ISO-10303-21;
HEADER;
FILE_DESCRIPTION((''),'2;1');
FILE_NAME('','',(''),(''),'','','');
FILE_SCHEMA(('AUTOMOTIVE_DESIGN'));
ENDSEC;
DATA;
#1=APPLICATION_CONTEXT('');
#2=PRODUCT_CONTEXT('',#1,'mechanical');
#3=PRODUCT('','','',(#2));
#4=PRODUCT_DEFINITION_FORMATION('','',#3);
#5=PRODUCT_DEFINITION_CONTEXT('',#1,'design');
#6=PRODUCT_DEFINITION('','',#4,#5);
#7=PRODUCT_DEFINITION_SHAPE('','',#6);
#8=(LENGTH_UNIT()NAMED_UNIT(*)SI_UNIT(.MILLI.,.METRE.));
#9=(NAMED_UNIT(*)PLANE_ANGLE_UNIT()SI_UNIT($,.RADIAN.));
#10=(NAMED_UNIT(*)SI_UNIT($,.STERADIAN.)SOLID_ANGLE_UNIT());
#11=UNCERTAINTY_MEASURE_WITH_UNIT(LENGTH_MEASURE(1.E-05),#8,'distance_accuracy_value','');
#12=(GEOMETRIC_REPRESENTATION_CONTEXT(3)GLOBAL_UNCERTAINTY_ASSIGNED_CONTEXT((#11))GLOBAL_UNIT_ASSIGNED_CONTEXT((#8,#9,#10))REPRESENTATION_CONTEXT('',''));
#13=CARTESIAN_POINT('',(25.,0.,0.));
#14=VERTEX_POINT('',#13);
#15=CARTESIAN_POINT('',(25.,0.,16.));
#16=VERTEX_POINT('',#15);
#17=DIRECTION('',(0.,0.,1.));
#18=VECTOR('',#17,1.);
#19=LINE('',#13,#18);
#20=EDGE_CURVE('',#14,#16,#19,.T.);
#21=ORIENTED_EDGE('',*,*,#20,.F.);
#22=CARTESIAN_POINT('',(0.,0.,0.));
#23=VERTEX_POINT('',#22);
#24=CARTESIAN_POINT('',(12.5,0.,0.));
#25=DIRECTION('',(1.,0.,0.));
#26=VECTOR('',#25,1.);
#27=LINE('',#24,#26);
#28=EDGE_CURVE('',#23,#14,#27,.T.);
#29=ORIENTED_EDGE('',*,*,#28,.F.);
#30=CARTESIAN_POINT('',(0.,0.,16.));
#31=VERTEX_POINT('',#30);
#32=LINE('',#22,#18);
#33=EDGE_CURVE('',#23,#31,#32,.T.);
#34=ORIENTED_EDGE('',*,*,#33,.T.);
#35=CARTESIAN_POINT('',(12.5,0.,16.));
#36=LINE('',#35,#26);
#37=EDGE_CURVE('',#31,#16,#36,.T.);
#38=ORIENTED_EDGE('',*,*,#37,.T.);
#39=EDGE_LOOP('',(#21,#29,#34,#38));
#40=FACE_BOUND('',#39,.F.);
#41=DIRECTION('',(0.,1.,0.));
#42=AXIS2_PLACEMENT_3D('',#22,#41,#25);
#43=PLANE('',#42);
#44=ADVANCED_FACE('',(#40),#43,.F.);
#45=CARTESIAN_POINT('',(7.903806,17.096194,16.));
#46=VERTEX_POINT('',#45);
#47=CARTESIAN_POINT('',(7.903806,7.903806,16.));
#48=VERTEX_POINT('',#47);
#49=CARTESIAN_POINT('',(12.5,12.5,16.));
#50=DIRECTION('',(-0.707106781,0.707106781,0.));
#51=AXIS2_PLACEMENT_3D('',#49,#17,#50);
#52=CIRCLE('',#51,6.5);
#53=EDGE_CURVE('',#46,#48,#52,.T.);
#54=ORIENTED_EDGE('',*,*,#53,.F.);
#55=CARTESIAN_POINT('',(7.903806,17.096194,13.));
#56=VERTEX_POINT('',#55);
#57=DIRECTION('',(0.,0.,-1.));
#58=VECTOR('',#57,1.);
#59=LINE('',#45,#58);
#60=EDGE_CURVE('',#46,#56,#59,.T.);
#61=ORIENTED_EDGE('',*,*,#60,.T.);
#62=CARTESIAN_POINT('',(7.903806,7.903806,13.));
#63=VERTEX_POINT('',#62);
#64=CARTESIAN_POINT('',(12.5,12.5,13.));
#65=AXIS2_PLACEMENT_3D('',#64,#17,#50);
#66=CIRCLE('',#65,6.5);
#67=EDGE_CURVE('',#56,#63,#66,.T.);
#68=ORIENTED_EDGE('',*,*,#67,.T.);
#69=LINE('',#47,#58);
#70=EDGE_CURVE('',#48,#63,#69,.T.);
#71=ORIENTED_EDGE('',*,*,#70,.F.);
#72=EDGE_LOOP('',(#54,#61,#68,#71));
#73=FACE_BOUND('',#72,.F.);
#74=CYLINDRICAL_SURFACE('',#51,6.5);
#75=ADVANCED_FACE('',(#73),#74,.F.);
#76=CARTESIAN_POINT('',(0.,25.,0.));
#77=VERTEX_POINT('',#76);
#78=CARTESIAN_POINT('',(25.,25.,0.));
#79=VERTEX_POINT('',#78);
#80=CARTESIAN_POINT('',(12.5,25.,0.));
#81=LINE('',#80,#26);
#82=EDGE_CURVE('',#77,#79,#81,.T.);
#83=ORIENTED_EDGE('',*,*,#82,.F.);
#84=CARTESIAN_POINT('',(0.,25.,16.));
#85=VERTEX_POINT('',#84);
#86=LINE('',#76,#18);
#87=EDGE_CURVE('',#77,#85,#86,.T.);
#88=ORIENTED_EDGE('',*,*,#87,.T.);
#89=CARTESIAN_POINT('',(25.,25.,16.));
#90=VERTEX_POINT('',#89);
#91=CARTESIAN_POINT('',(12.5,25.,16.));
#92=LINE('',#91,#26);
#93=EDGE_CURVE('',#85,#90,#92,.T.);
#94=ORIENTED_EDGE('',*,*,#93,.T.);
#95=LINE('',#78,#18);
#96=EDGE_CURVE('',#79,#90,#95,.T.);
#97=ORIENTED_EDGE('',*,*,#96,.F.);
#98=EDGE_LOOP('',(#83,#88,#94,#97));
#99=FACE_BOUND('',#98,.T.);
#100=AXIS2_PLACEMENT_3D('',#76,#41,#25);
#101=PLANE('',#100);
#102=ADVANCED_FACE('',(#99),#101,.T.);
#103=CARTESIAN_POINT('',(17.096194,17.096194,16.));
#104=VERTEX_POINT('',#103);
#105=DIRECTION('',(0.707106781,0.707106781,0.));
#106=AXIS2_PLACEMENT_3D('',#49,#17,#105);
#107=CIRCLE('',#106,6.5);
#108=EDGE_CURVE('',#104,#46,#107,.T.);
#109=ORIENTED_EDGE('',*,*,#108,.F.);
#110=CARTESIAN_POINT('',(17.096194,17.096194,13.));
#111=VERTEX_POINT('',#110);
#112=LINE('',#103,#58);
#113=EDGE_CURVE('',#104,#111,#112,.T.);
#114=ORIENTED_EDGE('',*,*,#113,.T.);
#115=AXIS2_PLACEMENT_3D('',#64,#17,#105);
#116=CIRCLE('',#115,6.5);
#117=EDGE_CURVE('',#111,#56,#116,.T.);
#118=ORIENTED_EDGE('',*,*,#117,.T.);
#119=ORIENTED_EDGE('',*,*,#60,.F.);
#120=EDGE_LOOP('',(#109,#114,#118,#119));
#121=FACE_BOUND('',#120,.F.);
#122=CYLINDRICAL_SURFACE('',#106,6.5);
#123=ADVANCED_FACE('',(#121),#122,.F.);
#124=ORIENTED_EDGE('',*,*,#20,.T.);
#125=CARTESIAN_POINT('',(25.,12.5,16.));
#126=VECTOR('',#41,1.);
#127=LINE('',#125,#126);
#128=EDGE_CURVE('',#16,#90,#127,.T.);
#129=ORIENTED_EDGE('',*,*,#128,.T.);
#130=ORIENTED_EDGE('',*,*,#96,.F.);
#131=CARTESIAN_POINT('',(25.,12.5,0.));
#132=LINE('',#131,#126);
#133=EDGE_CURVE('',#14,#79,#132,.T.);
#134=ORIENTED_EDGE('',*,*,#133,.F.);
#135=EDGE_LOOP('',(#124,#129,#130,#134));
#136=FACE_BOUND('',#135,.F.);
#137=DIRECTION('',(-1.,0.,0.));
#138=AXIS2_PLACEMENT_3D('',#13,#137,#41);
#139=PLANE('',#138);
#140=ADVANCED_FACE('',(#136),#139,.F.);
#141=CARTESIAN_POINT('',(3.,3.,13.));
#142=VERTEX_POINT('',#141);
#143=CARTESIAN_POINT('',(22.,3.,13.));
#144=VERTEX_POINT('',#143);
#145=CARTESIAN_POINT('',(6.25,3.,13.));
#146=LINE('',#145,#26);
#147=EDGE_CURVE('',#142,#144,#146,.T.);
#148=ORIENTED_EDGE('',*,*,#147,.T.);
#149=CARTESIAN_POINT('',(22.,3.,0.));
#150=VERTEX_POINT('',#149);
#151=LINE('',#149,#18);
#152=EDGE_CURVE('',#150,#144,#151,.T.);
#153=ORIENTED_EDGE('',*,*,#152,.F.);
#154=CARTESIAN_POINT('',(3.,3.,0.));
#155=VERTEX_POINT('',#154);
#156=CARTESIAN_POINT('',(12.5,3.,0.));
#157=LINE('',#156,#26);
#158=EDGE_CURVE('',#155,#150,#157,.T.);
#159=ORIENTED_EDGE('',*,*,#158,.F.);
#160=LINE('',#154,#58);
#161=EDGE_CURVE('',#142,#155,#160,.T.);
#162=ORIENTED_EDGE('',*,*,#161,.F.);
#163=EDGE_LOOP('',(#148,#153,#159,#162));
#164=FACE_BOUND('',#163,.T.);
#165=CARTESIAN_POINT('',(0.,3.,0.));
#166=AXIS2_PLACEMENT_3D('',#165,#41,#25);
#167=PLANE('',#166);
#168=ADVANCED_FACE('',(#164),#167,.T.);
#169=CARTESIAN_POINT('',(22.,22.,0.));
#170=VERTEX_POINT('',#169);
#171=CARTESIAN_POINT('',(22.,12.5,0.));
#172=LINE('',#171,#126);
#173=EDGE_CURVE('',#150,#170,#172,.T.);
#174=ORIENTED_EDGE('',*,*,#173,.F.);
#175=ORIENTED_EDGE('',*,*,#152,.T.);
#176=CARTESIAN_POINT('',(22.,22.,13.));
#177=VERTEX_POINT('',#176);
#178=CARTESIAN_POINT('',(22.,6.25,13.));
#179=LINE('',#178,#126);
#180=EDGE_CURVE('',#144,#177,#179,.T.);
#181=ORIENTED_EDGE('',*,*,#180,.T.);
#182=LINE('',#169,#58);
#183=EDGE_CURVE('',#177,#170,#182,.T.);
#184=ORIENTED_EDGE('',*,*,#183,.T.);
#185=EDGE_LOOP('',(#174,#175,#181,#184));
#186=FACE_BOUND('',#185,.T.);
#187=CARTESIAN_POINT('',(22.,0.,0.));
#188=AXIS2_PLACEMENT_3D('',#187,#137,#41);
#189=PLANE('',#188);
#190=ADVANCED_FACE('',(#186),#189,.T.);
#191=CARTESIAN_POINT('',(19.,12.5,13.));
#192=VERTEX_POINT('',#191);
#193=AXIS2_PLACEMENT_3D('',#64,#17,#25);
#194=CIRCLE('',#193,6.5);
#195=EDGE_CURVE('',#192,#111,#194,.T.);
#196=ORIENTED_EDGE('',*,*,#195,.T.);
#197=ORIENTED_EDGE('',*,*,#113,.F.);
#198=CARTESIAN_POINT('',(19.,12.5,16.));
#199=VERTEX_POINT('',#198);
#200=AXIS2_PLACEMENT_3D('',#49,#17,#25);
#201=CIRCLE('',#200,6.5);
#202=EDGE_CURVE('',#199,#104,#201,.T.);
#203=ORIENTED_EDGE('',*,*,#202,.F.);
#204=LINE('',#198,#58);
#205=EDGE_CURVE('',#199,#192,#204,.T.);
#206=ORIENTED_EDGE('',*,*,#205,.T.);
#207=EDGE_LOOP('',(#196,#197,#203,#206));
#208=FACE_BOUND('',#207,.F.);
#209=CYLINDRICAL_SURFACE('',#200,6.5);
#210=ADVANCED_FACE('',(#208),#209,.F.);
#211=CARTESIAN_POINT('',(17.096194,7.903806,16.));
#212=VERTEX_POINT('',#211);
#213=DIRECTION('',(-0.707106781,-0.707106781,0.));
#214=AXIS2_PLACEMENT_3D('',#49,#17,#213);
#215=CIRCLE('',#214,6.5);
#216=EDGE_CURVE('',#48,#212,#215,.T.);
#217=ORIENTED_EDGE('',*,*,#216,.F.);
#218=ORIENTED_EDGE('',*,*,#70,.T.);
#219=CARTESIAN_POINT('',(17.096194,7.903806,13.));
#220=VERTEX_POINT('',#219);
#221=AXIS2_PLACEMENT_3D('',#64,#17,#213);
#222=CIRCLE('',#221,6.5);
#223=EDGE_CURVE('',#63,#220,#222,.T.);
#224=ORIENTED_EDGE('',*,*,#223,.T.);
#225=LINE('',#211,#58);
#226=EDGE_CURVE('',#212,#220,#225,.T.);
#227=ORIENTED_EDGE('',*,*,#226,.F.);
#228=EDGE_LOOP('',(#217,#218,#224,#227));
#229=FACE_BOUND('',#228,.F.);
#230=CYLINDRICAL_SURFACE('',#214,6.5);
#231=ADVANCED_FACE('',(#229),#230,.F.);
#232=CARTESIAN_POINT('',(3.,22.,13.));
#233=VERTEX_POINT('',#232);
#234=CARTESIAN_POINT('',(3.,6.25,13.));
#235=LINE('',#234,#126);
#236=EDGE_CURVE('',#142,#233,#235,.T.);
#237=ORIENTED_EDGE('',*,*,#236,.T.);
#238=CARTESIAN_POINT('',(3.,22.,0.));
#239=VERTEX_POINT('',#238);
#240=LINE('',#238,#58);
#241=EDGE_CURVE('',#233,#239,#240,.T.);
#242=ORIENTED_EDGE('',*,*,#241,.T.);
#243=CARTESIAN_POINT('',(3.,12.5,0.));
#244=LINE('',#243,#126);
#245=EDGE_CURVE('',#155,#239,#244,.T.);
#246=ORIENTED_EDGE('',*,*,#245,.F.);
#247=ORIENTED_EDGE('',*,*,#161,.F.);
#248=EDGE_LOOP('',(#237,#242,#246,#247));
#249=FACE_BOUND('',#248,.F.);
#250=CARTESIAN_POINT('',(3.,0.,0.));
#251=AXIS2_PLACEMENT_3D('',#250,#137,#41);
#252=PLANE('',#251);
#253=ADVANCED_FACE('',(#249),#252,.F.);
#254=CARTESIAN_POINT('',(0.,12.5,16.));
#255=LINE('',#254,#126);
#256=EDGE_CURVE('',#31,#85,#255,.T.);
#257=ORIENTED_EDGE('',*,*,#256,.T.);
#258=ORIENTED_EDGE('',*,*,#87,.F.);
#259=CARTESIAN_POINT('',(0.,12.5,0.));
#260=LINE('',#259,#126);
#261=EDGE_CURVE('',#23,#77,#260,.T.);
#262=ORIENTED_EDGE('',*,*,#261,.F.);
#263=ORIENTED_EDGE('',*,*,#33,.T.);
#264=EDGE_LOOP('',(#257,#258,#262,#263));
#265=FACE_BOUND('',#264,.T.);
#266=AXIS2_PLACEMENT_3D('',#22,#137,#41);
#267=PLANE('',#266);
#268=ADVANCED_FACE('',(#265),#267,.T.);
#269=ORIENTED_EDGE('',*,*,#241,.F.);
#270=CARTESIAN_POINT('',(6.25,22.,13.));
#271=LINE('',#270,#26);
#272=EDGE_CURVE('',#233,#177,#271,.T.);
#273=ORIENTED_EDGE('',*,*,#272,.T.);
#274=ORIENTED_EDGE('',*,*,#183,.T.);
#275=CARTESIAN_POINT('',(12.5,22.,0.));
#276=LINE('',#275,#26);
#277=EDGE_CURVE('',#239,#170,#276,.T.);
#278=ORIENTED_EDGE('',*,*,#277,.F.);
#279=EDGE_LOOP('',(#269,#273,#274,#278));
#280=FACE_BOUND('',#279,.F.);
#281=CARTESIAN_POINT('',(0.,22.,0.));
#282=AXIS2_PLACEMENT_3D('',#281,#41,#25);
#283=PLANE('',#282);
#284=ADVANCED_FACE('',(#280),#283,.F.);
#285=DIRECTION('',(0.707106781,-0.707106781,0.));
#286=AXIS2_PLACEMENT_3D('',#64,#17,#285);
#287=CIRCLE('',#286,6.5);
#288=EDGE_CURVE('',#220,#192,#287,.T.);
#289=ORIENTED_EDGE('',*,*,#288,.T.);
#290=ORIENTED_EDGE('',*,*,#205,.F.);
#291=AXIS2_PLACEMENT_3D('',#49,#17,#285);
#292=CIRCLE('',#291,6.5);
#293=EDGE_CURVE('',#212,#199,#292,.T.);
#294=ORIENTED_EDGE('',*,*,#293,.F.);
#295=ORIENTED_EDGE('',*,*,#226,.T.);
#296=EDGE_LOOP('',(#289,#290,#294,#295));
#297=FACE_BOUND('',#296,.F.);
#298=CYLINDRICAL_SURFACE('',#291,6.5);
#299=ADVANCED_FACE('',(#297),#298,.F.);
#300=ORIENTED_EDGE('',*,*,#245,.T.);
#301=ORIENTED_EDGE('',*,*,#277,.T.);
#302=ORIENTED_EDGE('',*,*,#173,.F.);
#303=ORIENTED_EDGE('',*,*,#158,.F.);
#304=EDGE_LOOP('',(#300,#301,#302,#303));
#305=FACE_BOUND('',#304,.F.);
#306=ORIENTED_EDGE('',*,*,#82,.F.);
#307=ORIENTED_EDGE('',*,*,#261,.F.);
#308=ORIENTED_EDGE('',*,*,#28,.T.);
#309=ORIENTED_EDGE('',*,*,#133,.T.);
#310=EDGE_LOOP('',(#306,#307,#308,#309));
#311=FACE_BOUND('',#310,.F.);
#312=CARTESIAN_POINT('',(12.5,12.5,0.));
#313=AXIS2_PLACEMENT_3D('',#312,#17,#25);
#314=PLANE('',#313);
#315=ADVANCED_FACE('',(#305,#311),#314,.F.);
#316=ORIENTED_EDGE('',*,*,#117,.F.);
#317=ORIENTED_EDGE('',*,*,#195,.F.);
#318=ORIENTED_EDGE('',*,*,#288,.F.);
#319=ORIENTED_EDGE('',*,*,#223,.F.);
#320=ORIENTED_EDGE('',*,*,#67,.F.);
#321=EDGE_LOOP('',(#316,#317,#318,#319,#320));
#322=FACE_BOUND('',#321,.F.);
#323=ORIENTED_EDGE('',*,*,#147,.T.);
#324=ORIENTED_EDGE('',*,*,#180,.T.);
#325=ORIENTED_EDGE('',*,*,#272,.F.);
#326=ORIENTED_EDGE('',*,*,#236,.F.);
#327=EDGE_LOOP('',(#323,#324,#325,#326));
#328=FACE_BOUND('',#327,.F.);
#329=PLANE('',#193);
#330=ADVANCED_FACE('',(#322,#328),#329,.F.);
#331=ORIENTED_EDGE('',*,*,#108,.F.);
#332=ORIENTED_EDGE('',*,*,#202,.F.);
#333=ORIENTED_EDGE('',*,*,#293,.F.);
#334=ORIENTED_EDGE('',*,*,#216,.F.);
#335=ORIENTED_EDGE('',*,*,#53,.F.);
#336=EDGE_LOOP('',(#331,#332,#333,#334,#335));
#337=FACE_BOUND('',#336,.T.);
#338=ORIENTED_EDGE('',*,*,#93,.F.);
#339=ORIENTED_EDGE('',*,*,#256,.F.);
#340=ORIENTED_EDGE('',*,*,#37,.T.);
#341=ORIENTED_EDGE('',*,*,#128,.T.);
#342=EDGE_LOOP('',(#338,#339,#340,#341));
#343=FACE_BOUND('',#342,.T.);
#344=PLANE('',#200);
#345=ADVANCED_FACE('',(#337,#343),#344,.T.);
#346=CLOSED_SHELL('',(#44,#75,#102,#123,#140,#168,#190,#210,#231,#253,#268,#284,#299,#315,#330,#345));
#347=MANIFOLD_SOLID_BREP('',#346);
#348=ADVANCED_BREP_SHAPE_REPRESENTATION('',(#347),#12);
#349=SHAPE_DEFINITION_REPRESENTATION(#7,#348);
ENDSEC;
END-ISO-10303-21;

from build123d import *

# Parameters (mm, degrees)
F0_W     = 25
F0_H     = 25
F1_DEPTH = 16
F2_T     = -3
F4_DEPTH = 25


with BuildPart() as f1:
    # F0 (on Top) → F1 (new body)
    with BuildSketch(Plane.XY):
        with Locations((12.5, 12.5)):
            Rectangle(F0_W, F0_H)
    extrude(amount=F1_DEPTH)

    # F2
    f2_openings = [f1.faces().sort_by_distance(p)[0] for p in [
        (12.5, 12.5, 0),
    ]]
    offset(amount=F2_T, openings=f2_openings)

    # F3 (on face) → F4 (cut)
    with BuildSketch(Plane.XY.offset(16)):
        with BuildLine():
            Line((12.5, 12.5), (17.0961940777, 17.0961940777))
            ThreePointArc((17.0961940777, 17.0961940777), (12.5, 19), (7.9038059223, 17.0961940777))
            Line((7.9038059223, 17.0961940777), (12.5, 12.5))
        make_face()
        with BuildLine():
            ThreePointArc((19, 12.5), (18.5052169613, 14.9874423104), (17.0961940777, 17.0961940777))
            Line((17.0961940777, 17.0961940777), (12.5, 12.5))
            Line((12.5, 12.5), (17.0961940777, 7.9038059223))
            ThreePointArc((17.0961940777, 7.9038059223), (18.5052169613, 10.0125576896), (19, 12.5))
        make_face()
        with BuildLine():
            Line((17.0961940777, 7.9038059223), (12.5, 12.5))
            Line((12.5, 12.5), (7.9038059223, 7.9038059223))
            ThreePointArc((7.9038059223, 7.9038059223), (12.5, 6), (17.0961940777, 7.9038059223))
        make_face()
        with BuildLine():
            Line((7.9038059223, 7.9038059223), (12.5, 12.5))
            Line((12.5, 12.5), (7.9038059223, 17.0961940777))
            ThreePointArc((7.9038059223, 17.0961940777), (6, 12.5), (7.9038059223, 7.9038059223))
        make_face()
    extrude(amount=-F4_DEPTH, mode=Mode.SUBTRACT)


solid = f1.part
